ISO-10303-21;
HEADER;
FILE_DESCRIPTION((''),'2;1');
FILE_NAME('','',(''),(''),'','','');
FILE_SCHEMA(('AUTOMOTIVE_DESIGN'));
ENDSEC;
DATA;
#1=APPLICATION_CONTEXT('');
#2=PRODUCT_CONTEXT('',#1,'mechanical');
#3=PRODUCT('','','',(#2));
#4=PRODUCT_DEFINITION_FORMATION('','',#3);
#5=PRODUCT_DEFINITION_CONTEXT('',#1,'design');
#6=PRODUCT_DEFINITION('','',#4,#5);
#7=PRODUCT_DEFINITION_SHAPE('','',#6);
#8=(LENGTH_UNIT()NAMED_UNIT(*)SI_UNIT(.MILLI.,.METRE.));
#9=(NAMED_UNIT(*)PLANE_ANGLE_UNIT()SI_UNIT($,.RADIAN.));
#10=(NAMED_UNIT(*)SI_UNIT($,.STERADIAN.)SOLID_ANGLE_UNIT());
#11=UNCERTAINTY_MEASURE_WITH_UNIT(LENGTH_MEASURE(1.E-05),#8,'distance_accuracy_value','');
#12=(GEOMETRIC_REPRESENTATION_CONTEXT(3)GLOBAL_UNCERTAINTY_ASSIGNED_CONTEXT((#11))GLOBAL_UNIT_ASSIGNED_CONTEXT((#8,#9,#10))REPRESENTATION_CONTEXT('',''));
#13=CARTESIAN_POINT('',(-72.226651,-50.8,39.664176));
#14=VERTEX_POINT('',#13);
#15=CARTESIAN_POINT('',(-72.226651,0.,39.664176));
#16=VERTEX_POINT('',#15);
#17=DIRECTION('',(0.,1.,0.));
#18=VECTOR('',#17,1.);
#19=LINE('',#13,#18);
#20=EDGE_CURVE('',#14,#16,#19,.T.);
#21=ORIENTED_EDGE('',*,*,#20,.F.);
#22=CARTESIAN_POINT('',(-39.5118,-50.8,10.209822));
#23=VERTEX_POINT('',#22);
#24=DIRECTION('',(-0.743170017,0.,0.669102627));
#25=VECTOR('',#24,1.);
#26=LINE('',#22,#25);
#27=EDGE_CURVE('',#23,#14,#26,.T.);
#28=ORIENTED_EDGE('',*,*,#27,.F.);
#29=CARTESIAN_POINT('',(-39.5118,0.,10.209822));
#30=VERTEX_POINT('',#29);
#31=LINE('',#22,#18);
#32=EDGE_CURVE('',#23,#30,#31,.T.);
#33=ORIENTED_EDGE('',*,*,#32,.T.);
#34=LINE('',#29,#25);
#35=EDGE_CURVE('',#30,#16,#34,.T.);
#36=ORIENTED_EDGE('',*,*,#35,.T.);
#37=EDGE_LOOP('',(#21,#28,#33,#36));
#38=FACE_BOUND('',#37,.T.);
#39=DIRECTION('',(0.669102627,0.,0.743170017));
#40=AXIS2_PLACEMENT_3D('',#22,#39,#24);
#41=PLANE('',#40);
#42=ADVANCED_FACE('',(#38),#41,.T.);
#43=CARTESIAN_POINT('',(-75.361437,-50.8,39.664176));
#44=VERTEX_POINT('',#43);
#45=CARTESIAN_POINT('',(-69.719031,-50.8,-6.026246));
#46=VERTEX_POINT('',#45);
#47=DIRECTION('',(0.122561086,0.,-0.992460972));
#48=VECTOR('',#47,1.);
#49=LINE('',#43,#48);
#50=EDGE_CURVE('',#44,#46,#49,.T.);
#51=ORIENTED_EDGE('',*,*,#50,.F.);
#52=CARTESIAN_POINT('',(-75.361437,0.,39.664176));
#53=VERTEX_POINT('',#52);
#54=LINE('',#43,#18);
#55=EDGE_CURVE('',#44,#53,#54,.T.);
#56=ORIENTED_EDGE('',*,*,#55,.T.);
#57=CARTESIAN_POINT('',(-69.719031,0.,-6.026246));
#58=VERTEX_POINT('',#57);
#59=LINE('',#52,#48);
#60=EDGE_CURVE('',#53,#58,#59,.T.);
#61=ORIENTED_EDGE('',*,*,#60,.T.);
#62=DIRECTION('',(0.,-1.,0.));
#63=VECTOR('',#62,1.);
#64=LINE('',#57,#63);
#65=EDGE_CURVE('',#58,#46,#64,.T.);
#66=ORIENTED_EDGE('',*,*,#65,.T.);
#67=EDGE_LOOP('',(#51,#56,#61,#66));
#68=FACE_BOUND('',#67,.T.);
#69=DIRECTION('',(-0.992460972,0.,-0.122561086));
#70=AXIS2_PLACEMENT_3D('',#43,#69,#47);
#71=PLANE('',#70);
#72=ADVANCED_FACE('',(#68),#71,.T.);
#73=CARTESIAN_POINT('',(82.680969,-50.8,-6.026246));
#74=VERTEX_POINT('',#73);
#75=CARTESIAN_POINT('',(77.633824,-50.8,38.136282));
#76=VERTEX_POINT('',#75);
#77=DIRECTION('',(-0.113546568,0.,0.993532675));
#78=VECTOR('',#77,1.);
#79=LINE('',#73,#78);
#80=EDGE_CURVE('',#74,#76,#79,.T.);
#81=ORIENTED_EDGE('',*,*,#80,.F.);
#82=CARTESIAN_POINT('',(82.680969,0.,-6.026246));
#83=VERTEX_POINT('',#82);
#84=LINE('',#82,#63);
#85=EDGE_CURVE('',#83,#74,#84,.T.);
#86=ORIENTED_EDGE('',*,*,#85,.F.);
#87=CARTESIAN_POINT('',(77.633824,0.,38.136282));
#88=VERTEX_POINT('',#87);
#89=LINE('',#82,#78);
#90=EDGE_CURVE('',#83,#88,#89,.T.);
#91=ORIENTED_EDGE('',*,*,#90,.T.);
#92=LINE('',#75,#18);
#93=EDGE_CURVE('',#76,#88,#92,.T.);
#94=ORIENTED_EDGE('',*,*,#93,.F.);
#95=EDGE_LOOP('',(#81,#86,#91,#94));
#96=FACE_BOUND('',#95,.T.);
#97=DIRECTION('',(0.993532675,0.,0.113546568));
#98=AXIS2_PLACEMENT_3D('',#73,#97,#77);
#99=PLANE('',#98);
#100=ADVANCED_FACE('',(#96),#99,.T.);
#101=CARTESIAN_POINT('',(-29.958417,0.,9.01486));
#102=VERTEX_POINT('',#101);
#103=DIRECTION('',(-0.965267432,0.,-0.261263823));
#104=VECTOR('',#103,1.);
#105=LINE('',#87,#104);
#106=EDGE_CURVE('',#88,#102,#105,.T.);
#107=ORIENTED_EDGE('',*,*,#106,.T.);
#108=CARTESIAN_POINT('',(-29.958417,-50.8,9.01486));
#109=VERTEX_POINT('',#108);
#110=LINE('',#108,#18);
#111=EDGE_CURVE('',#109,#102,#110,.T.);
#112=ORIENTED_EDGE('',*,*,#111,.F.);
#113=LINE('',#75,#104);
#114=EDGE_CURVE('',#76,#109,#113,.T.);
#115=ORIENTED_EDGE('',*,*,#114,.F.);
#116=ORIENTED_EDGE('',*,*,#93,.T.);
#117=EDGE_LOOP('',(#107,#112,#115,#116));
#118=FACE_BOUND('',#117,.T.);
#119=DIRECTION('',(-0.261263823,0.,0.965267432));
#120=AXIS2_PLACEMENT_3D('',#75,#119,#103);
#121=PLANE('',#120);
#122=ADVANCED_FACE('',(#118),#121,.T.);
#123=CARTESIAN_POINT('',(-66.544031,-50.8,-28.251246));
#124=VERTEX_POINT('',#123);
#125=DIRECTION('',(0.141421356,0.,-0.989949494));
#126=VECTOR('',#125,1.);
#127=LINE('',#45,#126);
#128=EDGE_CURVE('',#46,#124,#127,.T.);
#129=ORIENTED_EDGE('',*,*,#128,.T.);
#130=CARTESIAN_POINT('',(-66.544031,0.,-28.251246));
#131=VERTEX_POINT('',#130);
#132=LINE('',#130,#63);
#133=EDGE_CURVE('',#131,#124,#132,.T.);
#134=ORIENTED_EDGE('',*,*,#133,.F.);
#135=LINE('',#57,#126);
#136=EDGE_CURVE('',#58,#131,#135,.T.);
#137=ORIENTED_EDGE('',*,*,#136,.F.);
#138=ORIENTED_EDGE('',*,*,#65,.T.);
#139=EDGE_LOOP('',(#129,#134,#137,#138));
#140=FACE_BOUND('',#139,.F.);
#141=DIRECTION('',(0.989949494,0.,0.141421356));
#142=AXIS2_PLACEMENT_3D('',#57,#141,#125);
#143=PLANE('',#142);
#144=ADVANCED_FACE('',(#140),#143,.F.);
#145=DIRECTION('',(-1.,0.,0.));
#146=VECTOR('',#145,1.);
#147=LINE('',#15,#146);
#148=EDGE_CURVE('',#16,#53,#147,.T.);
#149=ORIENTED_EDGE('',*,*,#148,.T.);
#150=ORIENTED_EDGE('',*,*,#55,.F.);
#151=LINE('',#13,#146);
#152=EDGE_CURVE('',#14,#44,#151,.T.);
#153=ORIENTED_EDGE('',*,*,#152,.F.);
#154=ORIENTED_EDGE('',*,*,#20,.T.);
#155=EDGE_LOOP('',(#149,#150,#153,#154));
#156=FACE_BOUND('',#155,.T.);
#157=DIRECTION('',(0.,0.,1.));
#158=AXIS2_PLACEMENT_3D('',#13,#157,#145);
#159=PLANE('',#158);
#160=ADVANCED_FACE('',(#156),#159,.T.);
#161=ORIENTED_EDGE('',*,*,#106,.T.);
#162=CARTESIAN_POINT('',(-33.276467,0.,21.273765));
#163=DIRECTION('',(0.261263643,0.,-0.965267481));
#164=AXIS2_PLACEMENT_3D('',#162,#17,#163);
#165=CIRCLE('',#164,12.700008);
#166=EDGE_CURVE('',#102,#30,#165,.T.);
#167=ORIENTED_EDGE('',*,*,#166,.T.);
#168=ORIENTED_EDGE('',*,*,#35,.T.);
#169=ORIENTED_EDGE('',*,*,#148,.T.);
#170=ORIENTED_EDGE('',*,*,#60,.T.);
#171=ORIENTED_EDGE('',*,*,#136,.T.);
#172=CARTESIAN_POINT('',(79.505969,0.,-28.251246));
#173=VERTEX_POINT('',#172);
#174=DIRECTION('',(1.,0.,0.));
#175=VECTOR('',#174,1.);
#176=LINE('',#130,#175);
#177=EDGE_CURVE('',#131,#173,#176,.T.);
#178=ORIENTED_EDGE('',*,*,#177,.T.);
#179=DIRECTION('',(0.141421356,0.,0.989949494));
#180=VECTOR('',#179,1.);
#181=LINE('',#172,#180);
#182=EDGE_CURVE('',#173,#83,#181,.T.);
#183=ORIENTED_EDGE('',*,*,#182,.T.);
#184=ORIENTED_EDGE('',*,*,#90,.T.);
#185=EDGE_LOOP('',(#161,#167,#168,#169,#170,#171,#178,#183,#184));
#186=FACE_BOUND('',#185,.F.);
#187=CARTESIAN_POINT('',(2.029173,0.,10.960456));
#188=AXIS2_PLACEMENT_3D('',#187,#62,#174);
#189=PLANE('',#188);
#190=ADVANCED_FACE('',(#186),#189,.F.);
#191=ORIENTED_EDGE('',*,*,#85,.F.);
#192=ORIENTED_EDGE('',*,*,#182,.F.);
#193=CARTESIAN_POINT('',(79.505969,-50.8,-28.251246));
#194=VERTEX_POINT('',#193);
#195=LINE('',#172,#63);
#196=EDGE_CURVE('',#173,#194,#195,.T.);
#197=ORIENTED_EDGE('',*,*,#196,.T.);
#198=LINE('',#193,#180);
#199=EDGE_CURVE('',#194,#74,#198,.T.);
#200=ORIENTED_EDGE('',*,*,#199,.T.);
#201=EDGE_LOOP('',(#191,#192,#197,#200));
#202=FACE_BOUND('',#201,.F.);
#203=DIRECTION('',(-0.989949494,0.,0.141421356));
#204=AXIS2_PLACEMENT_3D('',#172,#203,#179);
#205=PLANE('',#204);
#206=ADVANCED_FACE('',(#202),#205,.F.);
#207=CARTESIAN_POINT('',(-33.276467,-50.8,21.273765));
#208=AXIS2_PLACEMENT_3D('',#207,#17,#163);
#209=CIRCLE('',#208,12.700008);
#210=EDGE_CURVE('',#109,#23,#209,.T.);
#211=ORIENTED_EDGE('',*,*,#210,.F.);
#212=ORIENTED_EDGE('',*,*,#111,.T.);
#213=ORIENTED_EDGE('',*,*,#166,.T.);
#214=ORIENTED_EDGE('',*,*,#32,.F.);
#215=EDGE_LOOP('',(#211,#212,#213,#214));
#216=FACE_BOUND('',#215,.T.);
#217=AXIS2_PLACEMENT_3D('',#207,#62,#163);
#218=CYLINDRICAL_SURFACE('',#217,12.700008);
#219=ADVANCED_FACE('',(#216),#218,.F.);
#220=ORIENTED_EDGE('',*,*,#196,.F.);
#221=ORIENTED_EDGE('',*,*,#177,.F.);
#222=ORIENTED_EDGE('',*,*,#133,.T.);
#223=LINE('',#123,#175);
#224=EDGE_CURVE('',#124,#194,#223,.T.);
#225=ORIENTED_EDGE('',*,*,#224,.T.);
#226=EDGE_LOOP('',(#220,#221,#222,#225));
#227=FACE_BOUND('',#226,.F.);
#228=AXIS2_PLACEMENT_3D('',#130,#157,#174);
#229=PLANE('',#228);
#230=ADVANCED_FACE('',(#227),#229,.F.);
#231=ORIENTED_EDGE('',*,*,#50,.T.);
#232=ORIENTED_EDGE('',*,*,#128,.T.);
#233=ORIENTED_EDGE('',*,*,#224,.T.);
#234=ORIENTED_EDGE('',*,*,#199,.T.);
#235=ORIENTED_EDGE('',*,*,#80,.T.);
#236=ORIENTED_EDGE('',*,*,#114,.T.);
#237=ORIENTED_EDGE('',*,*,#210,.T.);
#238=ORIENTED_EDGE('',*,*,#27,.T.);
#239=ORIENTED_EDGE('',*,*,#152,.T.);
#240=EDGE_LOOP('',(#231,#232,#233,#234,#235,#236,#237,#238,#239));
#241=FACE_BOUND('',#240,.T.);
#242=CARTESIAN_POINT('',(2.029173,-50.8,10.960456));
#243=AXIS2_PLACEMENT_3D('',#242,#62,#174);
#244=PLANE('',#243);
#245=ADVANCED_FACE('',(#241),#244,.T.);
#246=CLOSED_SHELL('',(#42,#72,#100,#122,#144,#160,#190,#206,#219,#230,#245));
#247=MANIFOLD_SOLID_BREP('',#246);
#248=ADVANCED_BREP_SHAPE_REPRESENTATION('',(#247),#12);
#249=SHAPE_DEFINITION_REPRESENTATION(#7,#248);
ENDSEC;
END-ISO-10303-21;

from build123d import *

# Parameters (mm, degrees)
F1_DEPTH = 50.8
F3_DEPTH = 50.8


with BuildPart() as f1:
    # F0 (on Front) → F1 (new body)
    with BuildSketch(Plane.XZ):
        Polygon((82.680969, -6.026246), (-69.719031, -6.026246), (-66.544031, -28.251246), (6.480969, -28.251246), (79.505969, -28.251246), align=None)
    extrude(amount=F1_DEPTH)

    # F2 (on face) → F3 (join)
    with BuildSketch(Plane.XZ.offset(50.8)):
        with BuildLine():
            Line((-69.719031, -6.026246), (82.680969, -6.026246))
            Line((82.680969, -6.026246), (77.633824, 38.136282))
            Line((77.633824, 38.136282), (-29.958417, 9.01486))
            ThreePointArc((-29.958417, 9.01486), (-34.852735, 8.671956), (-39.5118, 10.209822))
            Line((-39.5118, 10.209822), (-72.226651, 39.664176))
            Line((-72.226651, 39.664176), (-75.361437, 39.664176))
            Line((-75.361437, 39.664176), (-69.719031, -6.026246))
        make_face()
    extrude(amount=-F3_DEPTH)


solid = f1.part
